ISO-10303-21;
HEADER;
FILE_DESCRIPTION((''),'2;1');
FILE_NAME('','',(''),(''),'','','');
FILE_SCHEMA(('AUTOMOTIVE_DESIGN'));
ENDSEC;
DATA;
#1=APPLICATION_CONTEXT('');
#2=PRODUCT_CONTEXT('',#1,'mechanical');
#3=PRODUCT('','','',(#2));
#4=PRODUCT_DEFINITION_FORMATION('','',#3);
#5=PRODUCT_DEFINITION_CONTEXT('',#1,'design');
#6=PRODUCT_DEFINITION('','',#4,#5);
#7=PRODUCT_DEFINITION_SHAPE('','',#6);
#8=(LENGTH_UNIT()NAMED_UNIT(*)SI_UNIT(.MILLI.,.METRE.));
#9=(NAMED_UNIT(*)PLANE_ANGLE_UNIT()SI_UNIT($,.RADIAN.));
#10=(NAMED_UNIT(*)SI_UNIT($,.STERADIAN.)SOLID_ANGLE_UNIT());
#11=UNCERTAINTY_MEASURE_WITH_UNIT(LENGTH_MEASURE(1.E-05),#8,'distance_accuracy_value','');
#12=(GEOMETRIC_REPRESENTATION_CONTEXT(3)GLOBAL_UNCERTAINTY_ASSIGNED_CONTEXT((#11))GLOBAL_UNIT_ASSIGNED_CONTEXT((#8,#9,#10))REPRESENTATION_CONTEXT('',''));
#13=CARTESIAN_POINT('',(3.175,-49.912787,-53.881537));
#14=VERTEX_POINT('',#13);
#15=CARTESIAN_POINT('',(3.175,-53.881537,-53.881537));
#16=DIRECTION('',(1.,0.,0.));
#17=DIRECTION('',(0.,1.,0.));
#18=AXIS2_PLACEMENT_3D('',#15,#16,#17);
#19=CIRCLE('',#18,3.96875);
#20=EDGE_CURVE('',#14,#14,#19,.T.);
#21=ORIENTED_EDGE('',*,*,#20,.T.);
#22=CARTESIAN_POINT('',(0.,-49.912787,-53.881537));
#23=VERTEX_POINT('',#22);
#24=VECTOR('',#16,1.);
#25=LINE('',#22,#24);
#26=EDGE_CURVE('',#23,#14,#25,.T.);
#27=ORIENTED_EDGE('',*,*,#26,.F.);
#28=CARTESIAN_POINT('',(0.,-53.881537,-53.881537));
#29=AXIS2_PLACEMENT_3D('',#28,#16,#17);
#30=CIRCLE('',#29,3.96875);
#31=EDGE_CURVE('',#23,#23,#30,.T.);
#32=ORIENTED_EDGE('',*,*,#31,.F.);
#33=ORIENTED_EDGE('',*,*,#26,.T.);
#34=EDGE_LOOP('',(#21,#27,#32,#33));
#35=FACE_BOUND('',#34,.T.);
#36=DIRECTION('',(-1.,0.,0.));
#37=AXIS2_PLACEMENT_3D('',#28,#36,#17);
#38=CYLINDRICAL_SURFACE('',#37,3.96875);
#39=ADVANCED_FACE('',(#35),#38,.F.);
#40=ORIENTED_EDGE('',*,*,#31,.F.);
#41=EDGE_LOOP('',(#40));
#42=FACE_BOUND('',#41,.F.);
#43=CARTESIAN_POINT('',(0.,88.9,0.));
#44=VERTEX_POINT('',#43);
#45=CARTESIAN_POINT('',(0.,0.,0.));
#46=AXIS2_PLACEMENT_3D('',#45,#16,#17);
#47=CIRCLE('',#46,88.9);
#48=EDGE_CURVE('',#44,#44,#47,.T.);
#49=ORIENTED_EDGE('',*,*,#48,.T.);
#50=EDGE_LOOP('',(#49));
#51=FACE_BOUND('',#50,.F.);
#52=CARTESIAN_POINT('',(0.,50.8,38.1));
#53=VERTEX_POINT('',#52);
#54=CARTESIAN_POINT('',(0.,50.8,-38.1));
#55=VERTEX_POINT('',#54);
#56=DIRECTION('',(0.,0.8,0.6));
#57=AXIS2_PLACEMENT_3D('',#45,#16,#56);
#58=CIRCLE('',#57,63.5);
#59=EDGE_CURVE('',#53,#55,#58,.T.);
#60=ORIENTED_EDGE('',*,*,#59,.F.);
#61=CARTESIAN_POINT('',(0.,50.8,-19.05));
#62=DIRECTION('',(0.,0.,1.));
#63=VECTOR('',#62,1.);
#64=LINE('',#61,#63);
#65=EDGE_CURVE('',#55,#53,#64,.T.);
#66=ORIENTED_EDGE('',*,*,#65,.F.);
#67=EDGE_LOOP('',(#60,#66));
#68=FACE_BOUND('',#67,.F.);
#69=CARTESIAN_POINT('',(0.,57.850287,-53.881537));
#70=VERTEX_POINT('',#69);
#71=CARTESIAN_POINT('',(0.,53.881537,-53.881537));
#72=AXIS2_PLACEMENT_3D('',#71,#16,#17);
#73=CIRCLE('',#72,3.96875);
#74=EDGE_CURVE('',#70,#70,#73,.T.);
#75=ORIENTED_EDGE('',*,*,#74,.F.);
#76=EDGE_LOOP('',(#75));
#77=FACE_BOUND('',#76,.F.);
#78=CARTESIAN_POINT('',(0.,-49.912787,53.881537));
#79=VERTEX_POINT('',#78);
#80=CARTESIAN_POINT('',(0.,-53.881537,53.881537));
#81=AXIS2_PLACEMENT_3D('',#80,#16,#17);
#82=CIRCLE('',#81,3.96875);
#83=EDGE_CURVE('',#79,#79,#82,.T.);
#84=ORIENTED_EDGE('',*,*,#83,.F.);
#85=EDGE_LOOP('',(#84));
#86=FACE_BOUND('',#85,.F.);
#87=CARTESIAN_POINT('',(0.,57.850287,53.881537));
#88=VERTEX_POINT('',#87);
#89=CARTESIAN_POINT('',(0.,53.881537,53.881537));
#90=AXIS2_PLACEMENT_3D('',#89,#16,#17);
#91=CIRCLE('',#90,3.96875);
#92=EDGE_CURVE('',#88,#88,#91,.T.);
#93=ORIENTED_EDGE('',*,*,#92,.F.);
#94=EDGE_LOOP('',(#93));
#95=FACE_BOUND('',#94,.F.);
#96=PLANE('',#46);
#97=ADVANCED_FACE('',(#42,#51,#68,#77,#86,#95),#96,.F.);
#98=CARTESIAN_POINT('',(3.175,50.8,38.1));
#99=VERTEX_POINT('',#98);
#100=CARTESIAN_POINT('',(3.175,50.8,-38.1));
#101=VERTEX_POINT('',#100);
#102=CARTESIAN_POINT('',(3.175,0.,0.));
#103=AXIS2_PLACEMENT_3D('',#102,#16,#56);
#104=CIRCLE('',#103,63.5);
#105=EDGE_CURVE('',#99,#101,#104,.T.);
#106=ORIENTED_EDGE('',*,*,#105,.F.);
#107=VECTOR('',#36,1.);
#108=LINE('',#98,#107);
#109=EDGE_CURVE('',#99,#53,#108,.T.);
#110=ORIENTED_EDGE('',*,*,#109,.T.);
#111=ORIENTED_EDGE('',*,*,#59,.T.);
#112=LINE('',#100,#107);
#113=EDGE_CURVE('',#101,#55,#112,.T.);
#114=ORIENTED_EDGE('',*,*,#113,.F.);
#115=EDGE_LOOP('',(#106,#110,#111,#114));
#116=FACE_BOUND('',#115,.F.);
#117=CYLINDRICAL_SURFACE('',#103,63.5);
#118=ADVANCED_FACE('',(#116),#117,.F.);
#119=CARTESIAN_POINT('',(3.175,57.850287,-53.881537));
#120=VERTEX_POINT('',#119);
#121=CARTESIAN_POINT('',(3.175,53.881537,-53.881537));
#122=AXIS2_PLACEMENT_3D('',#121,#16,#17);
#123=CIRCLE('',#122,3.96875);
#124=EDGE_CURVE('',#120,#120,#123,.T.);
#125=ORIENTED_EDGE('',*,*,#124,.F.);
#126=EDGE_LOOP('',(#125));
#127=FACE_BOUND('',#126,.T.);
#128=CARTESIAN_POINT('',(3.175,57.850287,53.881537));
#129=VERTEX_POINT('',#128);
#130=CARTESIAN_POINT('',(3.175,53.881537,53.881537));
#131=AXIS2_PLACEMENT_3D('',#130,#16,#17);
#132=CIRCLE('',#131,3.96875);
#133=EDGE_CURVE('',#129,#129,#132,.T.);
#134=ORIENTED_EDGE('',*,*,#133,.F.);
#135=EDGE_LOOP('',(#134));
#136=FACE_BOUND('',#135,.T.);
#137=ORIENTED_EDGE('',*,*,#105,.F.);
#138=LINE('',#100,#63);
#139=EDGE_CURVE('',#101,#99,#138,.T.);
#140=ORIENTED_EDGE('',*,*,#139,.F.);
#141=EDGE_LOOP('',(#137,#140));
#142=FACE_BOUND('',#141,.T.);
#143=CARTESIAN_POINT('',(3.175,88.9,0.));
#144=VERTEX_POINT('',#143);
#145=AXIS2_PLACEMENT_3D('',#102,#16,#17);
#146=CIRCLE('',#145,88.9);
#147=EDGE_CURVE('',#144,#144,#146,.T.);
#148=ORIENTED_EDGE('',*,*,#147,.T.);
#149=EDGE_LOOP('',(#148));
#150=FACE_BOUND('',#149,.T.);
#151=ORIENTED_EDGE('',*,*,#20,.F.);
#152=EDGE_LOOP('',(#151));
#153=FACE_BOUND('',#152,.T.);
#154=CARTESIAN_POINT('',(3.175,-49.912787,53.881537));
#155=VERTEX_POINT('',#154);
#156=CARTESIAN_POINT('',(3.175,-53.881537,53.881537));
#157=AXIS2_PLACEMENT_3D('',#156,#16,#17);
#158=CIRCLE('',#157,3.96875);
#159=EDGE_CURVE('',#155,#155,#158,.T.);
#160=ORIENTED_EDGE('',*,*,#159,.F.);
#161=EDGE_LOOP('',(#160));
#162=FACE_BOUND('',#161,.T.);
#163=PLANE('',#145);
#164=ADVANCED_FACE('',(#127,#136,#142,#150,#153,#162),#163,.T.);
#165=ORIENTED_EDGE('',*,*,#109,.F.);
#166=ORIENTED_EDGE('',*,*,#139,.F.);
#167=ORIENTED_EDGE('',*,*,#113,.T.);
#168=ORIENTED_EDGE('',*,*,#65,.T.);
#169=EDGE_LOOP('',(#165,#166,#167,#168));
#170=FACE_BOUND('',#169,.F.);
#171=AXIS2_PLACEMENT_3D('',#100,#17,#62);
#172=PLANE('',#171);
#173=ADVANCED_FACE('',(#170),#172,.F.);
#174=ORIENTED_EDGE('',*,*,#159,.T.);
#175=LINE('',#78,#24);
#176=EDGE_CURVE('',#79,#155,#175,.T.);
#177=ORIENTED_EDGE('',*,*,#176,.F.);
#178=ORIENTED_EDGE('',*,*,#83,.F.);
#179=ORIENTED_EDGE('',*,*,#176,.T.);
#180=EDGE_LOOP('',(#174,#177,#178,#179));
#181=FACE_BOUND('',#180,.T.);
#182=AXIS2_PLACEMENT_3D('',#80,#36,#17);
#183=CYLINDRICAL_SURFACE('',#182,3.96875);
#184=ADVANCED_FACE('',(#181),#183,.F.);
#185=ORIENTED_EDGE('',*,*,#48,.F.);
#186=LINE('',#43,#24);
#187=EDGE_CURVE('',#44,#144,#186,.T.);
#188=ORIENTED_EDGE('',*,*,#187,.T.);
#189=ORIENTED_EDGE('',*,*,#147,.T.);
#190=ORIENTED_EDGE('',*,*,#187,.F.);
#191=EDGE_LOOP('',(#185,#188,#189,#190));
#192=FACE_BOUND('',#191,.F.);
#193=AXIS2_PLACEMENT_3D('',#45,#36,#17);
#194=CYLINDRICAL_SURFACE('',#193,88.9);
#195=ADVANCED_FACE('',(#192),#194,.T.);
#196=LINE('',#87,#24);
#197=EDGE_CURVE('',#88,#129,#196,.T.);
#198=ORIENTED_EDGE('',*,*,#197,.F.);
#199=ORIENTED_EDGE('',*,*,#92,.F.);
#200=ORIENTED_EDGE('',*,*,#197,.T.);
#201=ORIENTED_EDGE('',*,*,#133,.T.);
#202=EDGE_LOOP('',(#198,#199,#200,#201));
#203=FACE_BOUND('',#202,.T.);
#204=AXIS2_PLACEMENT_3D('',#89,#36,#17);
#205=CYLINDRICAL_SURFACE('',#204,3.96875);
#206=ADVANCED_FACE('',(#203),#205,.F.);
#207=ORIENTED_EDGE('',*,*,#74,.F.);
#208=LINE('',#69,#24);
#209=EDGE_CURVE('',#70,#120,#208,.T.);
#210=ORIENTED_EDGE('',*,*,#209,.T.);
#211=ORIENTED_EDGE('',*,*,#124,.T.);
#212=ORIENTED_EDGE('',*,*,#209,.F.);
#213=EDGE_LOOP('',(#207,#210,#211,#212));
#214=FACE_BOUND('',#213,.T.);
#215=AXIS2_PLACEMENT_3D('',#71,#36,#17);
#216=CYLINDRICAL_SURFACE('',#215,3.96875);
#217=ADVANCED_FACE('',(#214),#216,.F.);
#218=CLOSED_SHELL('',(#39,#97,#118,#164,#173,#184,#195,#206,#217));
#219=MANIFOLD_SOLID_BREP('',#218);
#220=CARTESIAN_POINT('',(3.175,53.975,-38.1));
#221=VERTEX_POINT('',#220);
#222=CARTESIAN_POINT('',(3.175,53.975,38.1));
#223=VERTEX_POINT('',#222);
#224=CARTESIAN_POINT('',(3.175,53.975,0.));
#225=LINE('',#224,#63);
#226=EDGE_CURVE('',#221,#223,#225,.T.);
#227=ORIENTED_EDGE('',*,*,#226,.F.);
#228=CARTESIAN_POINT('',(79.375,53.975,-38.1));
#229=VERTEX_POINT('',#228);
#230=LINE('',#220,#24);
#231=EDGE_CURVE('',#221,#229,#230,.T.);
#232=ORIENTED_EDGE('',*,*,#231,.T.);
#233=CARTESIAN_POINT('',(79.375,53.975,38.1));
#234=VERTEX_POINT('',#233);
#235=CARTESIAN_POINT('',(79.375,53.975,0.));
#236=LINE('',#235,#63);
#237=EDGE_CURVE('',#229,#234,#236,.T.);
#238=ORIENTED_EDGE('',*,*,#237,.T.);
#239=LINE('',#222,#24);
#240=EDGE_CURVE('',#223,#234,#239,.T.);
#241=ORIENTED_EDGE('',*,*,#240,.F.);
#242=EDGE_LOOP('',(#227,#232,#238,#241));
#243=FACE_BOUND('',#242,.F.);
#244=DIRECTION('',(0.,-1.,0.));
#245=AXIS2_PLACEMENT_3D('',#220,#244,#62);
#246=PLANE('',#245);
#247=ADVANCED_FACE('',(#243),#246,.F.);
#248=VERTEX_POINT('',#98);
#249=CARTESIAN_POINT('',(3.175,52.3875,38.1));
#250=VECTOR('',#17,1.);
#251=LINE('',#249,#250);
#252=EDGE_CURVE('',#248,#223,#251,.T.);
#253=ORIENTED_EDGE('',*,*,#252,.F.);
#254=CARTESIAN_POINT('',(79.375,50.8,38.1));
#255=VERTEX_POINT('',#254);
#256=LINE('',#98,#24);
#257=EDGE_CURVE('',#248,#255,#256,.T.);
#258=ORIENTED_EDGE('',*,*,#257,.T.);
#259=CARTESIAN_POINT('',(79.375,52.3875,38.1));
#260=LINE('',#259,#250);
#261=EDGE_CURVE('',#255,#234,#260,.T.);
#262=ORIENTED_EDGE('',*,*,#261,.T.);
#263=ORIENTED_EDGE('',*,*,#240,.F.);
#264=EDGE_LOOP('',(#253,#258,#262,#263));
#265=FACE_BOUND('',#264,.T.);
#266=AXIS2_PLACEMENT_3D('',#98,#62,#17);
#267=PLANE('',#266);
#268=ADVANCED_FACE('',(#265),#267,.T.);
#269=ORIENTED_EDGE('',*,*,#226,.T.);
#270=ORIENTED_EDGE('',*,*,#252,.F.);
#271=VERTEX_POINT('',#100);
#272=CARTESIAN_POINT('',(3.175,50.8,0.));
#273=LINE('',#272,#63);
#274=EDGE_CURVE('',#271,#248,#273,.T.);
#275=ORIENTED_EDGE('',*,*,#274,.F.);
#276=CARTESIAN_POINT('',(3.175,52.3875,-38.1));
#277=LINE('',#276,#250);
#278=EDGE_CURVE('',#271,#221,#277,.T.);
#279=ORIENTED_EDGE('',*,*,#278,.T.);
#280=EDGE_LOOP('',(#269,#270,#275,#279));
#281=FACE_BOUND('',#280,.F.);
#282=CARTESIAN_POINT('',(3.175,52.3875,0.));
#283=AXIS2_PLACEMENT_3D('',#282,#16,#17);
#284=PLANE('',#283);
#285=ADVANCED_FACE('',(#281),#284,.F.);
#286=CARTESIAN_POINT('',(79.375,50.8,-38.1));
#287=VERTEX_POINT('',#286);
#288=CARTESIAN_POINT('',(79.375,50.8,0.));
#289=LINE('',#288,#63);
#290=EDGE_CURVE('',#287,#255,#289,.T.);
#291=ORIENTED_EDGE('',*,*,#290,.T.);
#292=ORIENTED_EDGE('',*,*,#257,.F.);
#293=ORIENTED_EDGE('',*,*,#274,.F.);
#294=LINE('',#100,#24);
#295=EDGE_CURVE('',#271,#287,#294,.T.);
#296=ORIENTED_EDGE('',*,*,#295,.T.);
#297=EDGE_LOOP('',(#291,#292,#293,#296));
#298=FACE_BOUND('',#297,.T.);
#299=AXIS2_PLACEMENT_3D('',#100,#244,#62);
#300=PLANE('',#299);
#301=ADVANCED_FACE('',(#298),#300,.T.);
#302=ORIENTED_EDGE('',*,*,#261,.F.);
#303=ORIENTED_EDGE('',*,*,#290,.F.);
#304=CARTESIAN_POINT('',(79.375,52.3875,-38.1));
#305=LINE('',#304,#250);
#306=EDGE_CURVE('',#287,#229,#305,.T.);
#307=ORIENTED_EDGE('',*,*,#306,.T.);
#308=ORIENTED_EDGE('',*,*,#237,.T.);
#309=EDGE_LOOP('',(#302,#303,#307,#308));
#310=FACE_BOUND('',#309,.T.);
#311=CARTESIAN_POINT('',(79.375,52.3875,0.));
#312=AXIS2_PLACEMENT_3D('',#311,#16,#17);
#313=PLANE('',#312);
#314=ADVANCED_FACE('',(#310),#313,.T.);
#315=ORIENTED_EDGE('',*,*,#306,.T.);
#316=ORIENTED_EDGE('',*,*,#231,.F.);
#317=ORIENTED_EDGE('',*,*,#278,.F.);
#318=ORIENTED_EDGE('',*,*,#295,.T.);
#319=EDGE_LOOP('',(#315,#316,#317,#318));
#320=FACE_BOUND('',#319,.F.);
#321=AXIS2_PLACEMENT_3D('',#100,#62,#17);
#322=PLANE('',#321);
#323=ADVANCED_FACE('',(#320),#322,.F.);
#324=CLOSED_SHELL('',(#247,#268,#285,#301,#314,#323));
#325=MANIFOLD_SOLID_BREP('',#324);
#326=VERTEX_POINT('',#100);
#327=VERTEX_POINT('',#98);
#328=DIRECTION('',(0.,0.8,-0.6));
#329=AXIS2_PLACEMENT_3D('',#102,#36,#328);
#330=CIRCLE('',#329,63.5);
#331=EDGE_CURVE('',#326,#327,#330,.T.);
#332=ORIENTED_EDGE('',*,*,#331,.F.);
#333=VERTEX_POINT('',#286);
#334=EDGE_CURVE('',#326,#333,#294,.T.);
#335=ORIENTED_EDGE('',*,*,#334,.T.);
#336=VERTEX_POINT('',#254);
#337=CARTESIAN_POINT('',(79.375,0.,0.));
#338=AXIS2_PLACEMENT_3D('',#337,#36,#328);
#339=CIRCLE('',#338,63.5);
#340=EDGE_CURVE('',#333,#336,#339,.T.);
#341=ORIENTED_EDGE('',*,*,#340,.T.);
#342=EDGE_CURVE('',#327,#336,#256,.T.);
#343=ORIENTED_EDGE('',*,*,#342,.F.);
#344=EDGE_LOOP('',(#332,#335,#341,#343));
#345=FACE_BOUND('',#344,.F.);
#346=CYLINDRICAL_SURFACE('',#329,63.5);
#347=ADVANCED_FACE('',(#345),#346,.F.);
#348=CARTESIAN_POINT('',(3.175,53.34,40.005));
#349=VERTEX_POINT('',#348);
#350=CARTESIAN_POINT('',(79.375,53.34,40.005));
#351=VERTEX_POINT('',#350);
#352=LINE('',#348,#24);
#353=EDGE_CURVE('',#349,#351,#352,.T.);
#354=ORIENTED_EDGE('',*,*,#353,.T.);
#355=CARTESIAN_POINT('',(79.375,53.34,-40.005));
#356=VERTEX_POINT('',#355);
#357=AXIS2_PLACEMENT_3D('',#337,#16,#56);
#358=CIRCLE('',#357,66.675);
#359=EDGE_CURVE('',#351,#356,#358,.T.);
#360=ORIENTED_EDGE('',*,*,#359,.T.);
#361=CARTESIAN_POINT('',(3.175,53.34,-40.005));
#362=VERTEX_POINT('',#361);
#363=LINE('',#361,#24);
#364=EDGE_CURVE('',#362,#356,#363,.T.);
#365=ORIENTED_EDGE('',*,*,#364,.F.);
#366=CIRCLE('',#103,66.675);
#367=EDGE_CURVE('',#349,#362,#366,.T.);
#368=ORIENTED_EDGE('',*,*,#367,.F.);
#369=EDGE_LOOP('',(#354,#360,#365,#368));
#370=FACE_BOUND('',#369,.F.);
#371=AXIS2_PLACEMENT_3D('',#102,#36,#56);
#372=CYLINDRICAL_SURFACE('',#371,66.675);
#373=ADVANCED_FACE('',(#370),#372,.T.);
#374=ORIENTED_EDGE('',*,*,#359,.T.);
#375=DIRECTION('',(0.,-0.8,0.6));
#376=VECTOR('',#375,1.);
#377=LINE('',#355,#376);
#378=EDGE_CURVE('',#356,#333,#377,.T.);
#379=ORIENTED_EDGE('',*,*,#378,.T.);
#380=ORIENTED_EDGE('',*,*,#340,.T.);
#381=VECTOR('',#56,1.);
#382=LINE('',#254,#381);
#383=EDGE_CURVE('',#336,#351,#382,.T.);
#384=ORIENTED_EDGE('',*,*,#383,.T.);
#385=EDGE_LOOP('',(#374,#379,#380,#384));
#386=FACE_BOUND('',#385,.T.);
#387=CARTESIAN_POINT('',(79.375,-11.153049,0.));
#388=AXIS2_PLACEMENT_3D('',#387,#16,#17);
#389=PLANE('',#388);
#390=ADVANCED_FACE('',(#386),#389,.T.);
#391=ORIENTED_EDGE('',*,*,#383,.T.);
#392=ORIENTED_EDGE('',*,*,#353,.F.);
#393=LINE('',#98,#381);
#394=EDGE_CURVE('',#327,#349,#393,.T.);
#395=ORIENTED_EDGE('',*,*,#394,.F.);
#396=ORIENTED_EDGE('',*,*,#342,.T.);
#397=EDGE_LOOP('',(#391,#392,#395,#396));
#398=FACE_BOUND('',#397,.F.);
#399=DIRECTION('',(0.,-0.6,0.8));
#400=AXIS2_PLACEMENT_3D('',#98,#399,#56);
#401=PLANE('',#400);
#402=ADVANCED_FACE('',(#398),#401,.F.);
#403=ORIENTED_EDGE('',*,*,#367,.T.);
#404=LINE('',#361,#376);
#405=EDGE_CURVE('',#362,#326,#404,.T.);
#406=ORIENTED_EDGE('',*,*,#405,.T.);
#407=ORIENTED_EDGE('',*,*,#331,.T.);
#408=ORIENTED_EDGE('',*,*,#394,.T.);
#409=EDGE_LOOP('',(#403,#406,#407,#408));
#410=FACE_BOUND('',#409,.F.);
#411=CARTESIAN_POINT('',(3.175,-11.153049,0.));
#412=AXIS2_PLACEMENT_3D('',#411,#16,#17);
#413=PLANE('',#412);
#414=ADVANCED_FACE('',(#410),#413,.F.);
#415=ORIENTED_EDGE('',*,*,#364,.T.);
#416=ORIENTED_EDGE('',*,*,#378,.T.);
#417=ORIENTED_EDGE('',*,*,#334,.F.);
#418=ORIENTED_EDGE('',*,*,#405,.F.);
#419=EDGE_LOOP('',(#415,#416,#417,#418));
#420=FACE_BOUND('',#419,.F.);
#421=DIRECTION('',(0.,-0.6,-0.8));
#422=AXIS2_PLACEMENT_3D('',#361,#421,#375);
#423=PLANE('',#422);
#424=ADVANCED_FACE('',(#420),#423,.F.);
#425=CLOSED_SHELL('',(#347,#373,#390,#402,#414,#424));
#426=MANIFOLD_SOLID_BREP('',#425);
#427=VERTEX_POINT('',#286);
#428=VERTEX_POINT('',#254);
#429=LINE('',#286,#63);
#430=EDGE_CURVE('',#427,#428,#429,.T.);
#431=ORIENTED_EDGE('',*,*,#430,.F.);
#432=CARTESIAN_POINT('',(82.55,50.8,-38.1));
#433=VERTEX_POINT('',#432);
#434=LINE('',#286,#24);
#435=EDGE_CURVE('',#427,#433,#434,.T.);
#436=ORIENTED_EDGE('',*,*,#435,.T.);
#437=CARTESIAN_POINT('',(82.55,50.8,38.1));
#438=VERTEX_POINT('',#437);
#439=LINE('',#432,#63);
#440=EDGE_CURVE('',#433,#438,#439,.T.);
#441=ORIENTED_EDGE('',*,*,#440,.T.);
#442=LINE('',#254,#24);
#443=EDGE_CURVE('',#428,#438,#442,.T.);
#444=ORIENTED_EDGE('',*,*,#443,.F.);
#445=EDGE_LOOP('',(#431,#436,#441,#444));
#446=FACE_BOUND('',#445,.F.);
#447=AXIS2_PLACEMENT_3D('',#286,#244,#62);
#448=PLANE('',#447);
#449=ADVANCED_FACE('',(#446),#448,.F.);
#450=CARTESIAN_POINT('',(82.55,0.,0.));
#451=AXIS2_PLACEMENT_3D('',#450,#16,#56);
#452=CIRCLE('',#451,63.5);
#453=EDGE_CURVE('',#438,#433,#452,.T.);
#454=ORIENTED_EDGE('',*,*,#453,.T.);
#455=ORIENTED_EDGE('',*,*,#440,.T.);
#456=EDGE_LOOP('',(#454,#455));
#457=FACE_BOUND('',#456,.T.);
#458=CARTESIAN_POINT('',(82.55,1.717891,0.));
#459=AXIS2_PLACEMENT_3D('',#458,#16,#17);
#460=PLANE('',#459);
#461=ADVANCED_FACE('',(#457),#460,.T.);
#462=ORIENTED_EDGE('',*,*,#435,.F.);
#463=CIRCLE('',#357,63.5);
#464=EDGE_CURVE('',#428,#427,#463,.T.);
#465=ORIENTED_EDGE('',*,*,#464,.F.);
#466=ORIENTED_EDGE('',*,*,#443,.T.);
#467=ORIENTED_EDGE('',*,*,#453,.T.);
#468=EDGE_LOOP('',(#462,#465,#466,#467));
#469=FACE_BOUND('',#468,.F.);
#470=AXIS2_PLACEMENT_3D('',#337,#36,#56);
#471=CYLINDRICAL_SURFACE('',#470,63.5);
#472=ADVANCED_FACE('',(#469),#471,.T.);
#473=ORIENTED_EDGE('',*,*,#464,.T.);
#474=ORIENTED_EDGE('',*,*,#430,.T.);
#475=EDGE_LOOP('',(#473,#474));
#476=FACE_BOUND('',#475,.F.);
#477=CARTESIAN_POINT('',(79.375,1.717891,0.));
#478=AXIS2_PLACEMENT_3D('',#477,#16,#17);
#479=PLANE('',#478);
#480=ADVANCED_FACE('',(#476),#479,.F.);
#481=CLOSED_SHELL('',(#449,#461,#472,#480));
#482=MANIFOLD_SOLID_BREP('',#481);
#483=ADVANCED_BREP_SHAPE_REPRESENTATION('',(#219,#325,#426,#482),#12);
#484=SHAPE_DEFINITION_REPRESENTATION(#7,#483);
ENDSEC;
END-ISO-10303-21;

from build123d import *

# Parameters (mm, degrees)
F0_R     = 88.9
F0_R_2   = 3.96875
F1_DEPTH = 3.175
F3_DEPTH = 3.176
F5_DEPTH = 76.2
F6_W     = 3.175
F6_H     = 76.2
F7_DEPTH = 76.2
F9_DEPTH = 3.175


with BuildPart() as f1:
    # F0 (on Right) → F1 (new body)
    with BuildSketch(Plane.YZ):
        Circle(F0_R)
        with Locations((-53.881537, -53.881537)):
            Circle(F0_R_2, mode=Mode.SUBTRACT)
        with Locations((53.881537, -53.881537)):
            Circle(F0_R_2, mode=Mode.SUBTRACT)
        with Locations((-53.881537, 53.881537)):
            Circle(F0_R_2, mode=Mode.SUBTRACT)
        with Locations((53.881537, 53.881537)):
            Circle(F0_R_2, mode=Mode.SUBTRACT)
    extrude(amount=F1_DEPTH)

    # F2 (on face) → F3 (cut, through all)
    with BuildSketch(Plane.YZ.offset(3.175)):
        with BuildLine():
            Line((50.8, -38.1), (50.8, 38.1))
            ThreePointArc((50.8, 38.1), (-63.5, 0), (50.8, -38.1))
        make_face()
    extrude(amount=-F3_DEPTH, mode=Mode.SUBTRACT)


with BuildPart() as f5:
    # F4 (on face) → F5 (new body)
    with BuildSketch(Plane.YZ.offset(3.175)):
        with BuildLine():
            ThreePointArc((50.8, -38.1), (-63.5, 0), (50.8, 38.1))
            Line((50.8, 38.1), (53.34, 40.005))
            ThreePointArc((53.34, 40.005), (-66.675, 0), (53.34, -40.005))
            Line((53.34, -40.005), (50.8, -38.1))
        make_face()
    extrude(amount=F5_DEPTH)


with BuildPart() as f7:
    # F6 (on face) → F7 (new body)
    with BuildSketch(Plane.YZ.offset(3.175)):
        with Locations((52.3875, 0)):
            Rectangle(F6_W, F6_H)
    extrude(amount=F7_DEPTH)


with BuildPart() as f9:
    # F8 (on face) → F9 (new body)
    with BuildSketch(Plane.YZ.offset(79.375)):
        with BuildLine():
            Line((50.8, -38.1), (50.8, 38.1))
            ThreePointArc((50.8, 38.1), (-63.5, 0), (50.8, -38.1))
        make_face()
    extrude(amount=F9_DEPTH)


solid = Compound([f1.part, f5.part, f7.part, f9.part])
